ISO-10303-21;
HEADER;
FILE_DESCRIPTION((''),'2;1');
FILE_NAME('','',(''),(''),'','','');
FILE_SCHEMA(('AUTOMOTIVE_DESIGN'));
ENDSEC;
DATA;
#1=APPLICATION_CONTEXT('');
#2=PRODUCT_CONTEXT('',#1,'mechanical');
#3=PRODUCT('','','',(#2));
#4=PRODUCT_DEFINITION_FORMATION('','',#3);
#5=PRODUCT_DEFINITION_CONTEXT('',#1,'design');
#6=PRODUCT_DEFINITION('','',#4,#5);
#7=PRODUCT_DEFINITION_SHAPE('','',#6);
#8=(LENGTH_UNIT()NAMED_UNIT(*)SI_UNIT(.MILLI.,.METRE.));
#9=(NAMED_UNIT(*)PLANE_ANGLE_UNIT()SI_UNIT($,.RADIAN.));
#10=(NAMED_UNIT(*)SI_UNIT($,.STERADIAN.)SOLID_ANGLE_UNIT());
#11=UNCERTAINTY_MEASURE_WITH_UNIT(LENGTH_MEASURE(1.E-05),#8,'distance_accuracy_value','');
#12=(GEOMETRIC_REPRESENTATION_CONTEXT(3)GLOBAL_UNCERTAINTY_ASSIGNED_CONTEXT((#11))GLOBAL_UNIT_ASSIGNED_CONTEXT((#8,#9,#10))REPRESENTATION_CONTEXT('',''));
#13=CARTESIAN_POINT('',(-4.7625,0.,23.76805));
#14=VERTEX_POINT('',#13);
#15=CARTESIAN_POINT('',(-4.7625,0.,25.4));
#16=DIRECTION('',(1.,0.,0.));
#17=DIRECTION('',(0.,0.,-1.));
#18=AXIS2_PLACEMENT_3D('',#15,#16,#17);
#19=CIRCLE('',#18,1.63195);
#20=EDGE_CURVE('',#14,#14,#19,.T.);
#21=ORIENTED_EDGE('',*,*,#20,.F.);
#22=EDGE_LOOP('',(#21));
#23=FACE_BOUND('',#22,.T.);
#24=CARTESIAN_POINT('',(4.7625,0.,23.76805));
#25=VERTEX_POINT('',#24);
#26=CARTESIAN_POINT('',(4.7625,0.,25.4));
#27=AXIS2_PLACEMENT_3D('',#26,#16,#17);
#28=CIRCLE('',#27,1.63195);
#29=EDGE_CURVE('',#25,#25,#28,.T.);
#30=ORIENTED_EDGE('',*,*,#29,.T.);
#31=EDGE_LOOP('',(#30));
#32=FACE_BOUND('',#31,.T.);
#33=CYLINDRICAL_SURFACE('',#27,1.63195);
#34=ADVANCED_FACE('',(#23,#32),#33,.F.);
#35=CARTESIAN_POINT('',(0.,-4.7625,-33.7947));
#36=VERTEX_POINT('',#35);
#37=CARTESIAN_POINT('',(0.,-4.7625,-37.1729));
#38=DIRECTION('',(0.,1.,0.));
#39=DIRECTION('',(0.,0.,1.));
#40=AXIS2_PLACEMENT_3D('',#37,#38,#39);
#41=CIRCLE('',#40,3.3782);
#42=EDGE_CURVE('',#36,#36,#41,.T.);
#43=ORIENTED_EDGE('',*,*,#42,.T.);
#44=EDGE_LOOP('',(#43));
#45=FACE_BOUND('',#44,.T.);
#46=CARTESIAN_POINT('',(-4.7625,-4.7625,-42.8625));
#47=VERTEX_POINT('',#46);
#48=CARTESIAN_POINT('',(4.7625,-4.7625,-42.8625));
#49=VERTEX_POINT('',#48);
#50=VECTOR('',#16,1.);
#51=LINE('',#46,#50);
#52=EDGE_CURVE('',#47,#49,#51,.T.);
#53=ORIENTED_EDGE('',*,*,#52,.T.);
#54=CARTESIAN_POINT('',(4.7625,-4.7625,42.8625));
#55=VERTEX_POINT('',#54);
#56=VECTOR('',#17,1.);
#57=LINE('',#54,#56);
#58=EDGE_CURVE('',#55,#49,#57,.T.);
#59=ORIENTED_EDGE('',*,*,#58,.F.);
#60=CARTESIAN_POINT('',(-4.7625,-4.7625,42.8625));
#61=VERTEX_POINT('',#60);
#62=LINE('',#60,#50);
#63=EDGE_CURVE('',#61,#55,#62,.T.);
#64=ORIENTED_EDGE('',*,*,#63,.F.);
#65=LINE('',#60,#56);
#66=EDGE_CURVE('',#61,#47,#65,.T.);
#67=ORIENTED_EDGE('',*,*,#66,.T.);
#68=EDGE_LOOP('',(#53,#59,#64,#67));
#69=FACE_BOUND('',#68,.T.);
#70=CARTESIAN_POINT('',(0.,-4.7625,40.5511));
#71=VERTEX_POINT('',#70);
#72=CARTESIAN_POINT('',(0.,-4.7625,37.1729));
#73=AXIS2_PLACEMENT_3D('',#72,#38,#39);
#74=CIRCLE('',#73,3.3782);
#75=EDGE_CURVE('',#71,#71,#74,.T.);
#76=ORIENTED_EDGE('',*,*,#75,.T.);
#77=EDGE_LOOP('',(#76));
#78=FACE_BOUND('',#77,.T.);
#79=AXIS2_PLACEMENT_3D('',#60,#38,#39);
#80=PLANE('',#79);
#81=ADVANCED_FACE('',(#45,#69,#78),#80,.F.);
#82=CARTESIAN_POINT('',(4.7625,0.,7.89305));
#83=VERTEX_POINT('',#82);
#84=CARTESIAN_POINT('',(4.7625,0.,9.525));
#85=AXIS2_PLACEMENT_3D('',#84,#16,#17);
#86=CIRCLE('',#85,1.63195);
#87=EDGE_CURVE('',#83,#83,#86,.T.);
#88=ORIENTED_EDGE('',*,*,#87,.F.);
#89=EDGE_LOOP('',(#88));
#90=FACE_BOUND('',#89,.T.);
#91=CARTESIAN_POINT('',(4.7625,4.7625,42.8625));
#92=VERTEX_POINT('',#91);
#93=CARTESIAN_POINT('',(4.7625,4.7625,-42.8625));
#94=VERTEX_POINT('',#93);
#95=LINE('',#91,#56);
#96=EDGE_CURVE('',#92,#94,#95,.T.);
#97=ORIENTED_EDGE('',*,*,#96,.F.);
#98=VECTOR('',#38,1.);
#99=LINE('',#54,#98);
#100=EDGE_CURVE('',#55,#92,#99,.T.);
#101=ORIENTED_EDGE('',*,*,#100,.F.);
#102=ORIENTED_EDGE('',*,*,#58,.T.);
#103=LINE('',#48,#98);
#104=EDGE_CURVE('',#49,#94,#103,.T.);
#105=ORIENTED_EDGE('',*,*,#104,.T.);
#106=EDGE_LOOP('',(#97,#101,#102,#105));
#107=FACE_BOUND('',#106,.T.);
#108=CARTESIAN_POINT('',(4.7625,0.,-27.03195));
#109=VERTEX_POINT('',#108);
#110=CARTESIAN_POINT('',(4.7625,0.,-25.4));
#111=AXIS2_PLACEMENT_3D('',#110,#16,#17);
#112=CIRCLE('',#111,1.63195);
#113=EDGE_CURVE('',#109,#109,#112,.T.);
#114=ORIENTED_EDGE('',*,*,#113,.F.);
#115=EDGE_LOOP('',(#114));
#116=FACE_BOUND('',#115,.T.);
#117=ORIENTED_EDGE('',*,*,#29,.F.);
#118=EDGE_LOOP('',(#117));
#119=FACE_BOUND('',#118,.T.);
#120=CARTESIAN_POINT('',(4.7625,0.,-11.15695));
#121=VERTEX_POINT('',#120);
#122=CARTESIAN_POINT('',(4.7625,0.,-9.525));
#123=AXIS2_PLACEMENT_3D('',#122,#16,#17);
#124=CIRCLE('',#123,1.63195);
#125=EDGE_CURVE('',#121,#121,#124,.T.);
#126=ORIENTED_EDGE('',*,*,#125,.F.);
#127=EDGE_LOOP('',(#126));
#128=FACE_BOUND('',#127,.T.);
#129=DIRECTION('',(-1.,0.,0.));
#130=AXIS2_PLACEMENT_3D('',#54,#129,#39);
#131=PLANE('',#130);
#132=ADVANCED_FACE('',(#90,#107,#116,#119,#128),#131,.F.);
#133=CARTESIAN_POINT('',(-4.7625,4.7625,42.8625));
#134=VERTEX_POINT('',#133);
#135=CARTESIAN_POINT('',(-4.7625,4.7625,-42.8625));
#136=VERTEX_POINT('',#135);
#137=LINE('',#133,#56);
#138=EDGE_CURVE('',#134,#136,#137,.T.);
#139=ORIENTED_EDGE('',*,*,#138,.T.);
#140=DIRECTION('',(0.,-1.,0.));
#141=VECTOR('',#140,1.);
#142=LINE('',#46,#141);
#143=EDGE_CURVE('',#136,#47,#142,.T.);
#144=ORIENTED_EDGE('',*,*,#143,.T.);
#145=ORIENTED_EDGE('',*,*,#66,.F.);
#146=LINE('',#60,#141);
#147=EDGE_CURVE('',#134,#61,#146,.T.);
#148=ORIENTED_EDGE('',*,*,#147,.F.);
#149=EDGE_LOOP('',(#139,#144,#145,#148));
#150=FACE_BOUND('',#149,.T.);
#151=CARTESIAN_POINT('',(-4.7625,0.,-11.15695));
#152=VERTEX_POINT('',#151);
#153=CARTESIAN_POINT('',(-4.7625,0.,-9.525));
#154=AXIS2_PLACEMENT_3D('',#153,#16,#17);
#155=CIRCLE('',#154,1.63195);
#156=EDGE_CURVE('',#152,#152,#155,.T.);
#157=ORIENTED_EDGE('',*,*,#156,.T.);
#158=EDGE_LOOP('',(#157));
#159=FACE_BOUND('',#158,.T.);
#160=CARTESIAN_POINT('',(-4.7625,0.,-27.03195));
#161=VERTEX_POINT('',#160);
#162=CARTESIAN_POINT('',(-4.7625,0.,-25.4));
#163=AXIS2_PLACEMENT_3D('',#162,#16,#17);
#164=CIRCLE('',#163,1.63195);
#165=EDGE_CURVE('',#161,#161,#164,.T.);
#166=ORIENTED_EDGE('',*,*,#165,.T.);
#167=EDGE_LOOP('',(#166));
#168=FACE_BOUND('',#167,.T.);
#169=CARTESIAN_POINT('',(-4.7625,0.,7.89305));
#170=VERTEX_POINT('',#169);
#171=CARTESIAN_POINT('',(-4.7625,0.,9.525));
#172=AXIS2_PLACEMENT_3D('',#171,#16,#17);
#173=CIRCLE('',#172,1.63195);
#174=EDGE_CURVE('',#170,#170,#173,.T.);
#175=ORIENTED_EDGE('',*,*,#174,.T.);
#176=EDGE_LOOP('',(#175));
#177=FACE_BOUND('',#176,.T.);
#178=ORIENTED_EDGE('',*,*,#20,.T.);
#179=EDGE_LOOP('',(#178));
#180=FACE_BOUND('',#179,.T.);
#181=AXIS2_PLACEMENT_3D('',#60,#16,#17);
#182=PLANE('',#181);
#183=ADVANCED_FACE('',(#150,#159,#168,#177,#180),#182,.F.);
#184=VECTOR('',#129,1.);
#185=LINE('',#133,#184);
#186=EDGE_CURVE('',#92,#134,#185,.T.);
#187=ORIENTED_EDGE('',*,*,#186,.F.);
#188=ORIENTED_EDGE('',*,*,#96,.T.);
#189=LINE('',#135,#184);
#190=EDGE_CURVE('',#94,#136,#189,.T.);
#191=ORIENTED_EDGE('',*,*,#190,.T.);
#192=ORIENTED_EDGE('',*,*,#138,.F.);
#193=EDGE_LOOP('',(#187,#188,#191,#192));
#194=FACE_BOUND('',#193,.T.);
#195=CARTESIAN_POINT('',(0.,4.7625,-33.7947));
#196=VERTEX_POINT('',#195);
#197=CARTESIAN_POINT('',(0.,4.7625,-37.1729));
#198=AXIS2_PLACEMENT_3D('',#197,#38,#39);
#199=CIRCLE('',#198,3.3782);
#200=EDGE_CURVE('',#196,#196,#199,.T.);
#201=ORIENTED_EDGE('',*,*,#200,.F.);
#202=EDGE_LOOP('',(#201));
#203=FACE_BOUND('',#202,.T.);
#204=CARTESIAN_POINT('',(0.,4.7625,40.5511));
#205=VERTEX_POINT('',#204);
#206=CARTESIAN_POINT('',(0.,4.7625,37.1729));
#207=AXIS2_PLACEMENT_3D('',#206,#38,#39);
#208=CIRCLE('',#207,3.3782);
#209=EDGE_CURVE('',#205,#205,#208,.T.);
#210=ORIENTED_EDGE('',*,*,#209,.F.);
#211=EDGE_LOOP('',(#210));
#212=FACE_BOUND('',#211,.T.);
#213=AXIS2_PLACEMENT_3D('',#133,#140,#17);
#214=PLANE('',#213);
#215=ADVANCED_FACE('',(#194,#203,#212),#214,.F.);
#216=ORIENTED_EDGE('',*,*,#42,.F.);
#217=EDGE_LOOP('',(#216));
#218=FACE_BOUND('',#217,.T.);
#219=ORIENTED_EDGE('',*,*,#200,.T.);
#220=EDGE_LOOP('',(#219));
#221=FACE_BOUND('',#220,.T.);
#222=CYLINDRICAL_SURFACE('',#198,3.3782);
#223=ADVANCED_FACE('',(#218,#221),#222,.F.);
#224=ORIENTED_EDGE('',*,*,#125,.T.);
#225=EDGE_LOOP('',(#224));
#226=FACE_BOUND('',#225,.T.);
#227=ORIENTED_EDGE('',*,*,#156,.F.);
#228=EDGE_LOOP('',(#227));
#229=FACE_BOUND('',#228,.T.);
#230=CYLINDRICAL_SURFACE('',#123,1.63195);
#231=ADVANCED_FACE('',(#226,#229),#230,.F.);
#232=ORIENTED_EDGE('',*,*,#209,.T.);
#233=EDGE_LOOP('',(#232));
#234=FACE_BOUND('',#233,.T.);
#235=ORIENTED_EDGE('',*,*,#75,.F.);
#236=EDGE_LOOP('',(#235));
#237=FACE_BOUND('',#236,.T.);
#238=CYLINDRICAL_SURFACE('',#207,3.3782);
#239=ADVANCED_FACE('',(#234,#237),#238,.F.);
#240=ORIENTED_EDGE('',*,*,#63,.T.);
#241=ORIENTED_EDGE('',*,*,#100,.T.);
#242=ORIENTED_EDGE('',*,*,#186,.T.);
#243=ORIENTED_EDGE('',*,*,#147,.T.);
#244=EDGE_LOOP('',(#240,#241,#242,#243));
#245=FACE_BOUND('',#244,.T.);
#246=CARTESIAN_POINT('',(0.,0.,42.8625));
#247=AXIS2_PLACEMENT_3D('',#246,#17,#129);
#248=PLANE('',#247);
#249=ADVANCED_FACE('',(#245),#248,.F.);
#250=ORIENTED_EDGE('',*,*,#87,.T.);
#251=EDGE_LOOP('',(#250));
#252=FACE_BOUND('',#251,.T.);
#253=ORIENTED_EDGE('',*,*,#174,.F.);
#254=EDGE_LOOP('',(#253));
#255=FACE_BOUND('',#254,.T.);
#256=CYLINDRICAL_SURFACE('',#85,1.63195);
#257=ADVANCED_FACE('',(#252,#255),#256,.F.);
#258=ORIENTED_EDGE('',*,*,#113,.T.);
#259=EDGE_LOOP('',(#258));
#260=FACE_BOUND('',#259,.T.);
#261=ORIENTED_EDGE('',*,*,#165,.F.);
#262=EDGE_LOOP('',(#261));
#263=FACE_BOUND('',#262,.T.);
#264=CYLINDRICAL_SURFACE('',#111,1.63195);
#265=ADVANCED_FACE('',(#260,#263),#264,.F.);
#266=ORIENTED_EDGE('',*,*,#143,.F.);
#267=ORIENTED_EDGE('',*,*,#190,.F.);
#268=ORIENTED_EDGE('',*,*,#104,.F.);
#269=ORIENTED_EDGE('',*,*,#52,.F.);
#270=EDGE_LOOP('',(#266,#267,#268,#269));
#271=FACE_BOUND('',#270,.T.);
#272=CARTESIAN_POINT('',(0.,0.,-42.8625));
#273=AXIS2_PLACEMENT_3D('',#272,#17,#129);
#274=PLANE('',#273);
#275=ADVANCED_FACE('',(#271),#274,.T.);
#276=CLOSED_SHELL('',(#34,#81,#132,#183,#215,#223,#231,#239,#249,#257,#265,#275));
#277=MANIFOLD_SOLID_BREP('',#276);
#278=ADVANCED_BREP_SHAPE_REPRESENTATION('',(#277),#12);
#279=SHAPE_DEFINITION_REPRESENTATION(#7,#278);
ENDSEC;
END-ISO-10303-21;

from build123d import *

# Parameters (mm, degrees)
SKETCH1_W               = 9.525
SKETCH1_H               = 9.525
BOSS_EXTRUDE1_DEPTH     = 42.8625
F_1_4_CLEARANCE_HOLE1_D = 6.7564
F_4_CLEARANCE_HOLE1_D   = 3.2639


with BuildPart() as part:
    # Sketch1 → Boss-Extrude1 (new, symmetric)
    with BuildSketch(Plane.XY):
        Rectangle(SKETCH1_W, SKETCH1_H)
    extrude(amount=BOSS_EXTRUDE1_DEPTH, both=True)

    # 1/4 Clearance Hole1 (through all)
    with Locations(Plane(origin=(0, 4.7625, 0), x_dir=(1, 0, 0), z_dir=(0, 1, 0))):
        with Locations((0, 37.1729)):
            f_1_4_clearance_hole1 = Hole(F_1_4_CLEARANCE_HOLE1_D / 2)

    # Mirror1: 1/4 Clearance Hole1 across plane
    add(f_1_4_clearance_hole1.mirror(Plane.XY), mode=Mode.SUBTRACT)

    # #4 Clearance Hole1 (through all)
    with Locations(Plane(origin=(4.7625, 0, 0), x_dir=(0, 0, -1), z_dir=(1, 0, 0))):
        with Locations((9.525, 0), (25.4, 0)):
            f_4_clearance_hole1 = Hole(F_4_CLEARANCE_HOLE1_D / 2)

    # Mirror2: #4 Clearance Hole1 across plane
    add(f_4_clearance_hole1.mirror(Plane.XY), mode=Mode.SUBTRACT)


solid = part.part
